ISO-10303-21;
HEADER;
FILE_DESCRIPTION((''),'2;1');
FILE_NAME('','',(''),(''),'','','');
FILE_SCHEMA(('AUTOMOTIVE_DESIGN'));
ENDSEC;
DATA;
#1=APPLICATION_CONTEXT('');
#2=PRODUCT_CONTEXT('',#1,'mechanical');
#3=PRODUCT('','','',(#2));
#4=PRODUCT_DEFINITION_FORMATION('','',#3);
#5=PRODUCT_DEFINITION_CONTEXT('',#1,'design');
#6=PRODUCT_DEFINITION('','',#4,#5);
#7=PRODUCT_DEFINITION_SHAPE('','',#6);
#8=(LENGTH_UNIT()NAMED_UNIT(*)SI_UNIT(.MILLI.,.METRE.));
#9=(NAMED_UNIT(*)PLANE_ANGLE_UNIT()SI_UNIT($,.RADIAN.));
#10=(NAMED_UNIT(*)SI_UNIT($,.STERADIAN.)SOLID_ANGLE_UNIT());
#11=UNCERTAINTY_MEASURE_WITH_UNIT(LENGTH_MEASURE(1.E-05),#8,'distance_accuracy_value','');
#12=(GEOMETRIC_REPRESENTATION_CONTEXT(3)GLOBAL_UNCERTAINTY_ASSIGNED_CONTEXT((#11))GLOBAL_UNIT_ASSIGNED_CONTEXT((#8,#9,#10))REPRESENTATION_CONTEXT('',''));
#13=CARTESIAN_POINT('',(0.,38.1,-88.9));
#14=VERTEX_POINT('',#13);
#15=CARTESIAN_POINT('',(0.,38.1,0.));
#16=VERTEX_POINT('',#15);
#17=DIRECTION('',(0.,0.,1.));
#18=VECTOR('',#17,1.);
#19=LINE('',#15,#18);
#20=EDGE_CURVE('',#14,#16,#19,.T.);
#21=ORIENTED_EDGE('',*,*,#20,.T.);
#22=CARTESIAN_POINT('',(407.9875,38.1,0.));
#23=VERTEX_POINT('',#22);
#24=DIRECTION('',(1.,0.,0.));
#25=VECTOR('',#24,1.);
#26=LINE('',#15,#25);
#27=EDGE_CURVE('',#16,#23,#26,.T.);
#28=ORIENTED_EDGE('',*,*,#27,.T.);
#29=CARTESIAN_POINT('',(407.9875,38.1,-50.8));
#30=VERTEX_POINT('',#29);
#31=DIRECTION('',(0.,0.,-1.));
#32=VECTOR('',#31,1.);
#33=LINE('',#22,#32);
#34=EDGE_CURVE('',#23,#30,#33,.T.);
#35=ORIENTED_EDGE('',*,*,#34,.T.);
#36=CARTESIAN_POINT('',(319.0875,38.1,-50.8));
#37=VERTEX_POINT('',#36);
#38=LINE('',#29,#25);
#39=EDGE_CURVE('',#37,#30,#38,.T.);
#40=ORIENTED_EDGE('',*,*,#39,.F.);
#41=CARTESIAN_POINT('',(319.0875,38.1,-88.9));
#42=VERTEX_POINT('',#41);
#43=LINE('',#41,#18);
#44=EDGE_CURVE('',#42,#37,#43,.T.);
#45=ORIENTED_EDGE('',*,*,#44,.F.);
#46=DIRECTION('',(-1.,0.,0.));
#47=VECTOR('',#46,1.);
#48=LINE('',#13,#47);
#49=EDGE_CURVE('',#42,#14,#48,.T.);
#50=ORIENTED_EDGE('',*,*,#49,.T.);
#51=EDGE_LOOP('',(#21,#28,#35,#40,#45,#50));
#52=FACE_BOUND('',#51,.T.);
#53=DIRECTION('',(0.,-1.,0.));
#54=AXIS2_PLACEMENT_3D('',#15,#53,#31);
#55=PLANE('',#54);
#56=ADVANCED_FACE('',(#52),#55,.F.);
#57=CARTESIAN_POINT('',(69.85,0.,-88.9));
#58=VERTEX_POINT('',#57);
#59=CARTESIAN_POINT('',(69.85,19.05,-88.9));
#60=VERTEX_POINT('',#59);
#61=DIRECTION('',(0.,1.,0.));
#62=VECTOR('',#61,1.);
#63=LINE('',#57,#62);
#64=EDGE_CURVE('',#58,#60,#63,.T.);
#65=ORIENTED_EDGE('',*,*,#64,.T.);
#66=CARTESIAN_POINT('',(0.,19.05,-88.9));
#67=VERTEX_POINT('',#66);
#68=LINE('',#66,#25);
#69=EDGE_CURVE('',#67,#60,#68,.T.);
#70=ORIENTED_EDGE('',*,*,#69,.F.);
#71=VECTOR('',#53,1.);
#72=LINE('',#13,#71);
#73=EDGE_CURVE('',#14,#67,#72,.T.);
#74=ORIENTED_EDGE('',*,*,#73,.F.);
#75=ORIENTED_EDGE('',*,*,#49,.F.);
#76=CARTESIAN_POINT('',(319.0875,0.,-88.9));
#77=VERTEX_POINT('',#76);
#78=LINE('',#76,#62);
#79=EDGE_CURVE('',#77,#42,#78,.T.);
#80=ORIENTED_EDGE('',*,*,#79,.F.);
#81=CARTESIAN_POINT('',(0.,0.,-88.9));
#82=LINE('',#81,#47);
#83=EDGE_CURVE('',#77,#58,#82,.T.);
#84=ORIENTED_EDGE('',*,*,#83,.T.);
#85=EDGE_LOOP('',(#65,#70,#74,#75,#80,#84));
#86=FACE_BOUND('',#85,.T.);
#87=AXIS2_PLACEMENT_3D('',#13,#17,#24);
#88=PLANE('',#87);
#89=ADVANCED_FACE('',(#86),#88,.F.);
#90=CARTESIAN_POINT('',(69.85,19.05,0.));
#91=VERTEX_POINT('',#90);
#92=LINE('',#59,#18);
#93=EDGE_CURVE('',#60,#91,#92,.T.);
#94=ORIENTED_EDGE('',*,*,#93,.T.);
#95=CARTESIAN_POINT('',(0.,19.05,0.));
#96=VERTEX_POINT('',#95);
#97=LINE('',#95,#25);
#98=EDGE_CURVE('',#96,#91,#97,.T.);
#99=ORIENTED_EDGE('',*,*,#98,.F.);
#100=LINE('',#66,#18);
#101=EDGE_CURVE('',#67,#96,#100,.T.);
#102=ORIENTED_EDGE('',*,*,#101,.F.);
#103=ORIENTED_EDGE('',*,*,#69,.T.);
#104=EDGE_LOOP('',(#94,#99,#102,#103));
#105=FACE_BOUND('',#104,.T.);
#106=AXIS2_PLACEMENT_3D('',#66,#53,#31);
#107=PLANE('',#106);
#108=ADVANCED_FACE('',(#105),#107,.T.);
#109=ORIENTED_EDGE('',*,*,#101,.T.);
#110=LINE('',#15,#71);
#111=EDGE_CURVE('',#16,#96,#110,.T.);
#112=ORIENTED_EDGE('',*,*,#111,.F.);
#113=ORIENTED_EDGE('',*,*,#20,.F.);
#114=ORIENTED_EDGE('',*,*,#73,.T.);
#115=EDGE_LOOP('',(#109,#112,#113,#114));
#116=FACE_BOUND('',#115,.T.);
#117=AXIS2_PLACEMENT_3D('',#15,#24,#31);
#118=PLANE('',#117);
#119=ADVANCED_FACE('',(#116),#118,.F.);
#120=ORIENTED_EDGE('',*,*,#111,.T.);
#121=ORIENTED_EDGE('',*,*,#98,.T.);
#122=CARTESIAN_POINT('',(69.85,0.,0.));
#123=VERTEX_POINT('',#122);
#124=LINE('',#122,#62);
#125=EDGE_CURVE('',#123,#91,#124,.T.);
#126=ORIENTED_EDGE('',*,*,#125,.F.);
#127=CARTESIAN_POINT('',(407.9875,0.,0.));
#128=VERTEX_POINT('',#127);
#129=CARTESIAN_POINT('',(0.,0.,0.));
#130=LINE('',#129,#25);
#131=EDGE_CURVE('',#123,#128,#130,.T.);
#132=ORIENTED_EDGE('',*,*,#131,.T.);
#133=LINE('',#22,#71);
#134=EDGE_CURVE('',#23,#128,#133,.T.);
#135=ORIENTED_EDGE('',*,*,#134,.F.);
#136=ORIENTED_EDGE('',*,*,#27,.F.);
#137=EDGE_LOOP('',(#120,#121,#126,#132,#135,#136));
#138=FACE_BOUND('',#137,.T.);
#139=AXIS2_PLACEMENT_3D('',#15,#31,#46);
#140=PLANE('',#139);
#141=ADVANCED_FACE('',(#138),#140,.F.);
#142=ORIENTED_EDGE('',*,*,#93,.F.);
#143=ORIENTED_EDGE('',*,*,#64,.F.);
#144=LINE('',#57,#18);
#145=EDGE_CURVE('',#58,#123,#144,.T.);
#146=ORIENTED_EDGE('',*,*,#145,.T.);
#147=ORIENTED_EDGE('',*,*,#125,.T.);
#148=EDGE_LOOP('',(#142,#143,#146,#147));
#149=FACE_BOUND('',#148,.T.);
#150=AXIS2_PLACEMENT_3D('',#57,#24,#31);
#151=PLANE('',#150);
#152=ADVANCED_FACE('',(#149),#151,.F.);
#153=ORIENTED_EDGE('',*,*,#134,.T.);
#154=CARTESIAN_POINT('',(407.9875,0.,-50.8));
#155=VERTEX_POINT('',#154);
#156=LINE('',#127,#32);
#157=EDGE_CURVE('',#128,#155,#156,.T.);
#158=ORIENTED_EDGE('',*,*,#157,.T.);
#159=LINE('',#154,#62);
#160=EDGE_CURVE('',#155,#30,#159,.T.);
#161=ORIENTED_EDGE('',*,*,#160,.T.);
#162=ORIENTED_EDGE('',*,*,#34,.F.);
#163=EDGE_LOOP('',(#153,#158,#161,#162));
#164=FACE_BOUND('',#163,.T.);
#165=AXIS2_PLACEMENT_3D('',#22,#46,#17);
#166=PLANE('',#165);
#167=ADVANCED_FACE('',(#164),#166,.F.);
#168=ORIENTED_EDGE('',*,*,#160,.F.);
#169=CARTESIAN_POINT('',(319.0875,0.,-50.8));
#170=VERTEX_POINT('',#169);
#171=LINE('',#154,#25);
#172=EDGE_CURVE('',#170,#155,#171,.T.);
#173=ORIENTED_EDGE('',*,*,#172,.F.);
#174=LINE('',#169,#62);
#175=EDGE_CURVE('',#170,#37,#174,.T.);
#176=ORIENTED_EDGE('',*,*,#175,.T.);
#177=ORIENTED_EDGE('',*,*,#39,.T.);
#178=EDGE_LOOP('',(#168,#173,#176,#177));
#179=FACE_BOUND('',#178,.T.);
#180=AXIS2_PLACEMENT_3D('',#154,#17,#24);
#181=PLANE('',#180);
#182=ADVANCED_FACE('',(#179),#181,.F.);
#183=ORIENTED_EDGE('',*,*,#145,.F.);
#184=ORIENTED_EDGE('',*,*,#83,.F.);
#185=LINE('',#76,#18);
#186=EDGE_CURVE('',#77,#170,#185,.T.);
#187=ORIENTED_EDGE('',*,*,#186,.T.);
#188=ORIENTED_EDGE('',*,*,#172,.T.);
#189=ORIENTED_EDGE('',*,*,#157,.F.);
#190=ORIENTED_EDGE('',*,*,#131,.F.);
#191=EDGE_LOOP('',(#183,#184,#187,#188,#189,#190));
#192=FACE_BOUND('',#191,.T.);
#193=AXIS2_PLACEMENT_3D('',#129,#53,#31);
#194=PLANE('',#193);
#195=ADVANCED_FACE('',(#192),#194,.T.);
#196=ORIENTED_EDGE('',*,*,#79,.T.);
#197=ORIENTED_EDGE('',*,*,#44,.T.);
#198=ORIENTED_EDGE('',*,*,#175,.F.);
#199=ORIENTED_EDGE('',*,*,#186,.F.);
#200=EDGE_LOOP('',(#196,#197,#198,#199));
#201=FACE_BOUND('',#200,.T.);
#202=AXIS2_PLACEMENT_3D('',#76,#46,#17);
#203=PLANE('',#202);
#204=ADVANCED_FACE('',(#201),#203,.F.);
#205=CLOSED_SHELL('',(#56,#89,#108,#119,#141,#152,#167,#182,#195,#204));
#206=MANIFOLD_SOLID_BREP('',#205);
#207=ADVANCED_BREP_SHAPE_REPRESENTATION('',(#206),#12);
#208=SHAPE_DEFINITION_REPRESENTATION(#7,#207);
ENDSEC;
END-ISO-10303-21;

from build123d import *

# Parameters (mm, degrees)
SKETCH1_W           = 407.9875
SKETCH1_H           = 88.9
BOSS_EXTRUDE1_DEPTH = 38.1
SKETCH3_W           = 88.9
SKETCH3_H           = 38.1
CUT_EXTRUDE2_DEPTH  = 39.1
SKETCH4_W           = 69.85
SKETCH4_H           = 19.05
CUT_EXTRUDE3_DEPTH  = 89.9


with BuildPart() as part:
    # Sketch1 → Boss-Extrude1 (new body)
    with BuildSketch(Plane(origin=(0, 0, 0), x_dir=(1, 0, 0), z_dir=(0, 1, 0))):
        with Locations((203.99375, 44.45)):
            Rectangle(SKETCH1_W, SKETCH1_H)
    extrude(amount=BOSS_EXTRUDE1_DEPTH)

    # Sketch3 → Cut-Extrude2 (cut, through all)
    with BuildSketch(Plane(origin=(0, 38.1, 0), x_dir=(1, 0, 0), z_dir=(0, 1, 0))):
        with Locations((363.5375, 69.85)):
            Rectangle(SKETCH3_W, SKETCH3_H)
    extrude(amount=-CUT_EXTRUDE2_DEPTH, mode=Mode.SUBTRACT)

    # Sketch4 → Cut-Extrude3 (cut, through all)
    with BuildSketch(Plane.XY):
        with Locations((34.925, 9.525)):
            Rectangle(SKETCH4_W, SKETCH4_H)
    extrude(amount=-CUT_EXTRUDE3_DEPTH, mode=Mode.SUBTRACT)


solid = part.part
